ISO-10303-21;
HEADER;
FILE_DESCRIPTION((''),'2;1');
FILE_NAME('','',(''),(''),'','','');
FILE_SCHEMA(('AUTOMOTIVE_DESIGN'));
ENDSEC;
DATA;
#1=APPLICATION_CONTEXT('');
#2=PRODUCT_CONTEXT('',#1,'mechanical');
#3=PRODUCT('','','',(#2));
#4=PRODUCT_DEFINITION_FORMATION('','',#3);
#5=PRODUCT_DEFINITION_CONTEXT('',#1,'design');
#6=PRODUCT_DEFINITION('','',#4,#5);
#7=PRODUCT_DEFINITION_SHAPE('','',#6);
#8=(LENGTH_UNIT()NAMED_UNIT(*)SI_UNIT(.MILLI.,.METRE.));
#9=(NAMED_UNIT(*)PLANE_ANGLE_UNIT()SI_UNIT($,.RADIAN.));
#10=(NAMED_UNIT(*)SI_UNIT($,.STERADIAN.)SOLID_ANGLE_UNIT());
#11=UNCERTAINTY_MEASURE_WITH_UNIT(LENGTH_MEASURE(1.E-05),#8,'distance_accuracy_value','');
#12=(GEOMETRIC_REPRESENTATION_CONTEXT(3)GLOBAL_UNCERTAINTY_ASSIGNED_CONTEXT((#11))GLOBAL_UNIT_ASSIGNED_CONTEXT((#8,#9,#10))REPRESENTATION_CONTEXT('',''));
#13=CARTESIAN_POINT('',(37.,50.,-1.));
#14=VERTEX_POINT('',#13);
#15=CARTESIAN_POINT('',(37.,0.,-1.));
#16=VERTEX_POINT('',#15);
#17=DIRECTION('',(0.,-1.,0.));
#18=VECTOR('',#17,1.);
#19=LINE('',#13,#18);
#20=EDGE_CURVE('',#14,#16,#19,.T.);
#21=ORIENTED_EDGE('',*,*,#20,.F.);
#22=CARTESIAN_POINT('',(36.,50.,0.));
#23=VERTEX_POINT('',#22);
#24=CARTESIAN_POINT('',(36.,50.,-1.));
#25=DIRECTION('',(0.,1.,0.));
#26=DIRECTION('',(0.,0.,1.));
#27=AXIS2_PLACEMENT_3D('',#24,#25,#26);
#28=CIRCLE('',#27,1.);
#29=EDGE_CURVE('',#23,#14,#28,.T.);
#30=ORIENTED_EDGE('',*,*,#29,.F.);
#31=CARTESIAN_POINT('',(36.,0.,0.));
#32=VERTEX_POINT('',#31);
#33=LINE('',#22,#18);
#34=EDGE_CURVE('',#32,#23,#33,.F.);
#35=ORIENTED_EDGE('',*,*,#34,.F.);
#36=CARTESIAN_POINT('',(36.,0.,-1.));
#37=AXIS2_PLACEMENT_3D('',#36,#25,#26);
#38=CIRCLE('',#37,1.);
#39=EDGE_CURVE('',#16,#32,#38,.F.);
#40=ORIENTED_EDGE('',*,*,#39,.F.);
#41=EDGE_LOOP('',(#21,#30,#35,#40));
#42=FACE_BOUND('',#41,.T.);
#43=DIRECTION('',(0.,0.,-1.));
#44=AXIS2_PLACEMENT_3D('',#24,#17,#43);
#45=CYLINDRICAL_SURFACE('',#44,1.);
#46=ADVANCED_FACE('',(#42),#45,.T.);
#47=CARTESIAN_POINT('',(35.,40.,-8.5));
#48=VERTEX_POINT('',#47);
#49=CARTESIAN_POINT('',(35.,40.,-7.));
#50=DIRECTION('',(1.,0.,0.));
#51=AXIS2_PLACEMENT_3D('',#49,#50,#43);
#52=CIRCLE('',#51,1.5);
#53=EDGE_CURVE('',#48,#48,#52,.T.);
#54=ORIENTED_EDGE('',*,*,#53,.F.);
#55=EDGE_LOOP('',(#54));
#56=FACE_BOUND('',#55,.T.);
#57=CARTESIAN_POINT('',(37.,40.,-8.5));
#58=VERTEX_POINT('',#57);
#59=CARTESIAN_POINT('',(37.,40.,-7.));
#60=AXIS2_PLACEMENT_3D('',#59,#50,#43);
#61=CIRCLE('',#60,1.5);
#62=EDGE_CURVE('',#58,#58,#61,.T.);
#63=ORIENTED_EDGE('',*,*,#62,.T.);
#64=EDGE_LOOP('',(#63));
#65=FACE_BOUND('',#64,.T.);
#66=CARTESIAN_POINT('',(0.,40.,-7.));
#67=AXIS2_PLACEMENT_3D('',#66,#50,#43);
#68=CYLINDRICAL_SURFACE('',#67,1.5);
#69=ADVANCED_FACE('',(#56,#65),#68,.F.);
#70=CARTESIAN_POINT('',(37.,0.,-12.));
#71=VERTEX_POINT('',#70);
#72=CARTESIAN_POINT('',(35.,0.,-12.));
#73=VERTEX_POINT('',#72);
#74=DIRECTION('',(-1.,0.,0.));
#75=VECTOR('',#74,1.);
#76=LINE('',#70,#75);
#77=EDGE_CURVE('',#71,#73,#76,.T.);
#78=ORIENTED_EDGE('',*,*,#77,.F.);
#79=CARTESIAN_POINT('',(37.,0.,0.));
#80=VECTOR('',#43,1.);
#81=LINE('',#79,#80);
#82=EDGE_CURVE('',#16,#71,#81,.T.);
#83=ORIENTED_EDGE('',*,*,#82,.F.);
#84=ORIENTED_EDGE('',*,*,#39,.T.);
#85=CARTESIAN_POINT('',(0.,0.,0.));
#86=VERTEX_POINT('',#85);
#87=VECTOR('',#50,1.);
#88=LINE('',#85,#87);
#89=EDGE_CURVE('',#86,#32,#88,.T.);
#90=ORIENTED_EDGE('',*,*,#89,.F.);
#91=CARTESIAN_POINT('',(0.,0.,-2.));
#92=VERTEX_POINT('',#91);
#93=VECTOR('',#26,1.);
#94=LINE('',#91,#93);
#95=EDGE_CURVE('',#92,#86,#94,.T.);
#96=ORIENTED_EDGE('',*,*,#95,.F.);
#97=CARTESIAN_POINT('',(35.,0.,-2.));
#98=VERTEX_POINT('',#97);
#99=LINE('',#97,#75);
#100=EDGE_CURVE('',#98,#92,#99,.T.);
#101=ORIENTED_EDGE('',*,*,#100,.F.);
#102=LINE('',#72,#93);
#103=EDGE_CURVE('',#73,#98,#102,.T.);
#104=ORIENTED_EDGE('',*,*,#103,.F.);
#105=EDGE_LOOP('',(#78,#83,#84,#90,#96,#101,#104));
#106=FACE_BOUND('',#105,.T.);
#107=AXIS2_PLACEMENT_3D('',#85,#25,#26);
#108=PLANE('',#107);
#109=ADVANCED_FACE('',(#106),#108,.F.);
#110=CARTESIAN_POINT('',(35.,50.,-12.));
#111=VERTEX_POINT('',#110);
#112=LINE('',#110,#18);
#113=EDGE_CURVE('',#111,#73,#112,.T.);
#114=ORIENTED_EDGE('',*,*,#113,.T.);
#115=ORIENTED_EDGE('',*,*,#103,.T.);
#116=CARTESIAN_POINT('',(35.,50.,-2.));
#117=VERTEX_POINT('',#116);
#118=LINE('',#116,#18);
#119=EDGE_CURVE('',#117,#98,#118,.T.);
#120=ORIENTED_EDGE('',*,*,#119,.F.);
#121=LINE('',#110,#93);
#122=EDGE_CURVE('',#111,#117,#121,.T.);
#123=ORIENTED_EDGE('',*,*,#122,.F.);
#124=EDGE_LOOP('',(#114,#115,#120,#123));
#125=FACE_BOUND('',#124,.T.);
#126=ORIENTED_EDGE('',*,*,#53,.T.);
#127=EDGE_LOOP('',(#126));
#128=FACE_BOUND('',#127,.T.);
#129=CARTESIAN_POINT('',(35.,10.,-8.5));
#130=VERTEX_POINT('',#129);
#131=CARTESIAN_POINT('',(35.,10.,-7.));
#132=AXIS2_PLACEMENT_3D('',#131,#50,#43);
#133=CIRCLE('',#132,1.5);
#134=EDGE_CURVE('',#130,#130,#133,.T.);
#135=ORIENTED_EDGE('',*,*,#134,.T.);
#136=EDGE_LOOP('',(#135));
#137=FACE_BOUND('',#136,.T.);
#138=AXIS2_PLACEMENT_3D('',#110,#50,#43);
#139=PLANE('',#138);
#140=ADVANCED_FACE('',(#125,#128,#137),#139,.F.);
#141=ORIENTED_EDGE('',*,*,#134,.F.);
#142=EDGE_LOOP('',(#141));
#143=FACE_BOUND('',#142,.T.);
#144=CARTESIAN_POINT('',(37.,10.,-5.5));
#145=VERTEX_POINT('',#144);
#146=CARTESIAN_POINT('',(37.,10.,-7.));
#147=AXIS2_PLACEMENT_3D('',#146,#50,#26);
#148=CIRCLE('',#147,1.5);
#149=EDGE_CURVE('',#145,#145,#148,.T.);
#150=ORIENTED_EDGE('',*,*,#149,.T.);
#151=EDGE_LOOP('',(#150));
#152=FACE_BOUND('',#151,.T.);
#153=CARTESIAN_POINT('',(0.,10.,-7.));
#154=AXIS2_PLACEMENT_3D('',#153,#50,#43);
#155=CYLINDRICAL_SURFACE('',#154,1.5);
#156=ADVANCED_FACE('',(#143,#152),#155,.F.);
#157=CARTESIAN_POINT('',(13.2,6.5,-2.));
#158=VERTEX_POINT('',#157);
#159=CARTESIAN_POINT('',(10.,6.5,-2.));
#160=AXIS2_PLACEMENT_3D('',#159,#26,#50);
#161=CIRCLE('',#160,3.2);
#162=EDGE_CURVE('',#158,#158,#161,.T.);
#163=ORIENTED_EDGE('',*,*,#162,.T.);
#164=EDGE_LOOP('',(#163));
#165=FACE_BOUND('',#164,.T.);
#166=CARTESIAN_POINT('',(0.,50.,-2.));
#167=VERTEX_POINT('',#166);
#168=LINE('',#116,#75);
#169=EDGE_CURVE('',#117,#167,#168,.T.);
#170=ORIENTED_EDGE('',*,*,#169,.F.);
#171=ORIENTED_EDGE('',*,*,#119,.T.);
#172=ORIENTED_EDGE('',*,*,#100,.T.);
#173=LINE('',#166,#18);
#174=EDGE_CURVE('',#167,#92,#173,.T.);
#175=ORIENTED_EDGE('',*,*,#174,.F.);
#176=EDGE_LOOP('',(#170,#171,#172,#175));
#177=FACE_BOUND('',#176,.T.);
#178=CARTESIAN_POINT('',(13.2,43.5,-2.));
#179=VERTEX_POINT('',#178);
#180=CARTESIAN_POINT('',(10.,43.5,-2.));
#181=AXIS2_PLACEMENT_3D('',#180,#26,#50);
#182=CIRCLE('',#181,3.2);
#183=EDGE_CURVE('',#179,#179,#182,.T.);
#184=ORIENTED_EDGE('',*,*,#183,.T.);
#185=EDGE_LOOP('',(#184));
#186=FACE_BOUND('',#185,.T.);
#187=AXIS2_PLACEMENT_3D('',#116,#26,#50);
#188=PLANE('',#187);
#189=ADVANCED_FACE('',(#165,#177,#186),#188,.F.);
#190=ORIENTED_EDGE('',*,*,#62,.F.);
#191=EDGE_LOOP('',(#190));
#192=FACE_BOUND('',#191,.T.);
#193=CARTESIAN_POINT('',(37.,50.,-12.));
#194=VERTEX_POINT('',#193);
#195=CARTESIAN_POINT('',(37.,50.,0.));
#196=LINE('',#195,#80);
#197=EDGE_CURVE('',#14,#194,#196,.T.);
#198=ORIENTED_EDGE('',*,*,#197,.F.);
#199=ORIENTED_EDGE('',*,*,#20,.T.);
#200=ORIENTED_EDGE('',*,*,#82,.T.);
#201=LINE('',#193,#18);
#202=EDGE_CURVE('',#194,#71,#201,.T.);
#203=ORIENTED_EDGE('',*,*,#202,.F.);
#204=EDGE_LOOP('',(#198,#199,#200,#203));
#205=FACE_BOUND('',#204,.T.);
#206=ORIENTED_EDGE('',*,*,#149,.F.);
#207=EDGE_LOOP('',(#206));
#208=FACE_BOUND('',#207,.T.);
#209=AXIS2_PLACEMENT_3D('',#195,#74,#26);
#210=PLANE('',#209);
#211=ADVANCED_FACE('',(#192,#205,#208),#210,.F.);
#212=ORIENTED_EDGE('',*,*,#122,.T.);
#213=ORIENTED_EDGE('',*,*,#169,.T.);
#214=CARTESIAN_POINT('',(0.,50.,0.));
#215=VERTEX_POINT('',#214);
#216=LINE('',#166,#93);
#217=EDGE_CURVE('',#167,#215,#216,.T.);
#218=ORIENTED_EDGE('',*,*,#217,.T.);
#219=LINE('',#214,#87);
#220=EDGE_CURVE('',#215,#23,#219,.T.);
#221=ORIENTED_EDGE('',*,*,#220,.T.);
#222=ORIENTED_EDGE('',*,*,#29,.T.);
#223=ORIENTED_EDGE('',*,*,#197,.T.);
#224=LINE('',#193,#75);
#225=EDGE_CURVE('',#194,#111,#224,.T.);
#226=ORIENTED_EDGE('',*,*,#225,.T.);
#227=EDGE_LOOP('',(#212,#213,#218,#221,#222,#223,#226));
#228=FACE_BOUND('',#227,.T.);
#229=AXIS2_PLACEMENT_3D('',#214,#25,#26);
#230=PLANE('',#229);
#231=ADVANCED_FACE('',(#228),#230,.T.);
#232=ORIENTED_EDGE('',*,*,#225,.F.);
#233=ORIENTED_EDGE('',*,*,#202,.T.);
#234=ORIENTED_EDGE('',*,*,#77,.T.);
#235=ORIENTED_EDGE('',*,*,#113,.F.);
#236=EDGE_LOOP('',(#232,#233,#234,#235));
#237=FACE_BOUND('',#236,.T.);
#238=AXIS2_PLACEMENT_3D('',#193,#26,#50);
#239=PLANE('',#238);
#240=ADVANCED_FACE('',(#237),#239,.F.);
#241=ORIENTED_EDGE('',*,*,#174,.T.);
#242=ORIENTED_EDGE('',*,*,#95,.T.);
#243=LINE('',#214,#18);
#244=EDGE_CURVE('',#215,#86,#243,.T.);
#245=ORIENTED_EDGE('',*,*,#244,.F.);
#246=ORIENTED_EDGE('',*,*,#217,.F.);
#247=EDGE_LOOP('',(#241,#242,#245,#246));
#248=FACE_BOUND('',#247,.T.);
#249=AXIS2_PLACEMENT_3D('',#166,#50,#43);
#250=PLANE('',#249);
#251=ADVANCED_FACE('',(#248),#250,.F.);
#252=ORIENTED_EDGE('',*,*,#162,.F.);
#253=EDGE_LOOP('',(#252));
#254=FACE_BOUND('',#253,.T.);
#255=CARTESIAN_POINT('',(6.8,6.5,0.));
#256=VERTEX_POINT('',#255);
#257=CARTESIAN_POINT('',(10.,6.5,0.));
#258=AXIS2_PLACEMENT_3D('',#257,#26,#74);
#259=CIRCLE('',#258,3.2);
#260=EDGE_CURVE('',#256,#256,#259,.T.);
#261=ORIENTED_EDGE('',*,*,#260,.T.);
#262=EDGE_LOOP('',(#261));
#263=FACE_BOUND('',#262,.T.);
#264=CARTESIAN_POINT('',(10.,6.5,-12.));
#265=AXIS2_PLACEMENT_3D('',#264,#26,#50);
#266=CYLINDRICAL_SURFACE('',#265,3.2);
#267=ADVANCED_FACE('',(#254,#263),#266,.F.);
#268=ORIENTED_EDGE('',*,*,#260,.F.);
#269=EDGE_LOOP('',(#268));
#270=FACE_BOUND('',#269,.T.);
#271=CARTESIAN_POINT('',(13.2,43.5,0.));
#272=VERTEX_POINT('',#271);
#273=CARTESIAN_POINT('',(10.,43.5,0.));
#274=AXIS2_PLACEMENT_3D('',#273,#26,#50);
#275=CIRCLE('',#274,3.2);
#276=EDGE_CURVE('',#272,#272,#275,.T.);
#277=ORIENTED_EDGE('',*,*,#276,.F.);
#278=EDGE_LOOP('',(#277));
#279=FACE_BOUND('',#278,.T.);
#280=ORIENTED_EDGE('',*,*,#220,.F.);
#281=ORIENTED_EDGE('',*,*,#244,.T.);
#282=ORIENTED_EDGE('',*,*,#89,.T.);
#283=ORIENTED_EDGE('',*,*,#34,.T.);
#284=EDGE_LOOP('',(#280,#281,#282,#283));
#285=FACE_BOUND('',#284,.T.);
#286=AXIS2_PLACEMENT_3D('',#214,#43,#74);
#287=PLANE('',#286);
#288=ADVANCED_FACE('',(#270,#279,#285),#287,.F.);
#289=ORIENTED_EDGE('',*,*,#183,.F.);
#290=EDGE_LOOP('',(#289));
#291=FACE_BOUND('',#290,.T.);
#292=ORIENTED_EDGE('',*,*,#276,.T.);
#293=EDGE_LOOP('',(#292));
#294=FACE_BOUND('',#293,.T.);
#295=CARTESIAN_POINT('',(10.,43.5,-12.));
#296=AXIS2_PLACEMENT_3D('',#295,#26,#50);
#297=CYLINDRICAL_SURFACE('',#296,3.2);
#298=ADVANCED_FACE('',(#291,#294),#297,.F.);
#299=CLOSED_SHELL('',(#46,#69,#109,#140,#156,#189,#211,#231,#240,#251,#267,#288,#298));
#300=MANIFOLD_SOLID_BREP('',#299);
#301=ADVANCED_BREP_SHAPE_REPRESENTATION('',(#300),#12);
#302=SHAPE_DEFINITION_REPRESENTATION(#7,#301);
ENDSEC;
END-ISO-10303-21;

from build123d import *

# Parameters (mm, degrees)
BOSS_EXTRUDE1_DEPTH = 50
FILLET2_R           = 1
SKETCH4_R           = 1.5
CUT_EXTRUDE1_DEPTH  = 64.348243859
SKETCH5_R           = 3.2
CUT_EXTRUDE2_DEPTH  = 64.348243859


with BuildPart() as part:
    # Sketch3 → Boss-Extrude1 (new body)
    with BuildSketch(Plane(origin=(0, 0, 0), x_dir=(1, 0, 0), z_dir=(0, 1, 0))):
        Polygon((0, 0), (37, 0), (37, 12), (35, 12), (35, 2), (0, 2), align=None)
    extrude(amount=BOSS_EXTRUDE1_DEPTH)

    # Fillet2
    fillet2_edges = [part.edges().sort_by_distance(p)[0] for p in [
        (37, 25, 0),
    ]]
    fillet(fillet2_edges, radius=FILLET2_R)

    # Sketch4 → Cut-Extrude1 (cut, through all)
    with BuildSketch(Plane(origin=(37, 0, 0), x_dir=(0, 0, -1), z_dir=(1, 0, 0))):
        with Locations((7, 40)):
            Circle(SKETCH4_R)
        with Locations((7, 10)):
            Circle(SKETCH4_R)
    extrude(amount=-CUT_EXTRUDE1_DEPTH, mode=Mode.SUBTRACT)

    # Sketch5 → Cut-Extrude2 (cut, through all)
    with BuildSketch(Plane.XY):
        with Locations((10, 43.5)):
            Circle(SKETCH5_R)
        with Locations((10, 6.5)):
            Circle(SKETCH5_R)
    extrude(amount=-CUT_EXTRUDE2_DEPTH, mode=Mode.SUBTRACT)


solid = part.part
